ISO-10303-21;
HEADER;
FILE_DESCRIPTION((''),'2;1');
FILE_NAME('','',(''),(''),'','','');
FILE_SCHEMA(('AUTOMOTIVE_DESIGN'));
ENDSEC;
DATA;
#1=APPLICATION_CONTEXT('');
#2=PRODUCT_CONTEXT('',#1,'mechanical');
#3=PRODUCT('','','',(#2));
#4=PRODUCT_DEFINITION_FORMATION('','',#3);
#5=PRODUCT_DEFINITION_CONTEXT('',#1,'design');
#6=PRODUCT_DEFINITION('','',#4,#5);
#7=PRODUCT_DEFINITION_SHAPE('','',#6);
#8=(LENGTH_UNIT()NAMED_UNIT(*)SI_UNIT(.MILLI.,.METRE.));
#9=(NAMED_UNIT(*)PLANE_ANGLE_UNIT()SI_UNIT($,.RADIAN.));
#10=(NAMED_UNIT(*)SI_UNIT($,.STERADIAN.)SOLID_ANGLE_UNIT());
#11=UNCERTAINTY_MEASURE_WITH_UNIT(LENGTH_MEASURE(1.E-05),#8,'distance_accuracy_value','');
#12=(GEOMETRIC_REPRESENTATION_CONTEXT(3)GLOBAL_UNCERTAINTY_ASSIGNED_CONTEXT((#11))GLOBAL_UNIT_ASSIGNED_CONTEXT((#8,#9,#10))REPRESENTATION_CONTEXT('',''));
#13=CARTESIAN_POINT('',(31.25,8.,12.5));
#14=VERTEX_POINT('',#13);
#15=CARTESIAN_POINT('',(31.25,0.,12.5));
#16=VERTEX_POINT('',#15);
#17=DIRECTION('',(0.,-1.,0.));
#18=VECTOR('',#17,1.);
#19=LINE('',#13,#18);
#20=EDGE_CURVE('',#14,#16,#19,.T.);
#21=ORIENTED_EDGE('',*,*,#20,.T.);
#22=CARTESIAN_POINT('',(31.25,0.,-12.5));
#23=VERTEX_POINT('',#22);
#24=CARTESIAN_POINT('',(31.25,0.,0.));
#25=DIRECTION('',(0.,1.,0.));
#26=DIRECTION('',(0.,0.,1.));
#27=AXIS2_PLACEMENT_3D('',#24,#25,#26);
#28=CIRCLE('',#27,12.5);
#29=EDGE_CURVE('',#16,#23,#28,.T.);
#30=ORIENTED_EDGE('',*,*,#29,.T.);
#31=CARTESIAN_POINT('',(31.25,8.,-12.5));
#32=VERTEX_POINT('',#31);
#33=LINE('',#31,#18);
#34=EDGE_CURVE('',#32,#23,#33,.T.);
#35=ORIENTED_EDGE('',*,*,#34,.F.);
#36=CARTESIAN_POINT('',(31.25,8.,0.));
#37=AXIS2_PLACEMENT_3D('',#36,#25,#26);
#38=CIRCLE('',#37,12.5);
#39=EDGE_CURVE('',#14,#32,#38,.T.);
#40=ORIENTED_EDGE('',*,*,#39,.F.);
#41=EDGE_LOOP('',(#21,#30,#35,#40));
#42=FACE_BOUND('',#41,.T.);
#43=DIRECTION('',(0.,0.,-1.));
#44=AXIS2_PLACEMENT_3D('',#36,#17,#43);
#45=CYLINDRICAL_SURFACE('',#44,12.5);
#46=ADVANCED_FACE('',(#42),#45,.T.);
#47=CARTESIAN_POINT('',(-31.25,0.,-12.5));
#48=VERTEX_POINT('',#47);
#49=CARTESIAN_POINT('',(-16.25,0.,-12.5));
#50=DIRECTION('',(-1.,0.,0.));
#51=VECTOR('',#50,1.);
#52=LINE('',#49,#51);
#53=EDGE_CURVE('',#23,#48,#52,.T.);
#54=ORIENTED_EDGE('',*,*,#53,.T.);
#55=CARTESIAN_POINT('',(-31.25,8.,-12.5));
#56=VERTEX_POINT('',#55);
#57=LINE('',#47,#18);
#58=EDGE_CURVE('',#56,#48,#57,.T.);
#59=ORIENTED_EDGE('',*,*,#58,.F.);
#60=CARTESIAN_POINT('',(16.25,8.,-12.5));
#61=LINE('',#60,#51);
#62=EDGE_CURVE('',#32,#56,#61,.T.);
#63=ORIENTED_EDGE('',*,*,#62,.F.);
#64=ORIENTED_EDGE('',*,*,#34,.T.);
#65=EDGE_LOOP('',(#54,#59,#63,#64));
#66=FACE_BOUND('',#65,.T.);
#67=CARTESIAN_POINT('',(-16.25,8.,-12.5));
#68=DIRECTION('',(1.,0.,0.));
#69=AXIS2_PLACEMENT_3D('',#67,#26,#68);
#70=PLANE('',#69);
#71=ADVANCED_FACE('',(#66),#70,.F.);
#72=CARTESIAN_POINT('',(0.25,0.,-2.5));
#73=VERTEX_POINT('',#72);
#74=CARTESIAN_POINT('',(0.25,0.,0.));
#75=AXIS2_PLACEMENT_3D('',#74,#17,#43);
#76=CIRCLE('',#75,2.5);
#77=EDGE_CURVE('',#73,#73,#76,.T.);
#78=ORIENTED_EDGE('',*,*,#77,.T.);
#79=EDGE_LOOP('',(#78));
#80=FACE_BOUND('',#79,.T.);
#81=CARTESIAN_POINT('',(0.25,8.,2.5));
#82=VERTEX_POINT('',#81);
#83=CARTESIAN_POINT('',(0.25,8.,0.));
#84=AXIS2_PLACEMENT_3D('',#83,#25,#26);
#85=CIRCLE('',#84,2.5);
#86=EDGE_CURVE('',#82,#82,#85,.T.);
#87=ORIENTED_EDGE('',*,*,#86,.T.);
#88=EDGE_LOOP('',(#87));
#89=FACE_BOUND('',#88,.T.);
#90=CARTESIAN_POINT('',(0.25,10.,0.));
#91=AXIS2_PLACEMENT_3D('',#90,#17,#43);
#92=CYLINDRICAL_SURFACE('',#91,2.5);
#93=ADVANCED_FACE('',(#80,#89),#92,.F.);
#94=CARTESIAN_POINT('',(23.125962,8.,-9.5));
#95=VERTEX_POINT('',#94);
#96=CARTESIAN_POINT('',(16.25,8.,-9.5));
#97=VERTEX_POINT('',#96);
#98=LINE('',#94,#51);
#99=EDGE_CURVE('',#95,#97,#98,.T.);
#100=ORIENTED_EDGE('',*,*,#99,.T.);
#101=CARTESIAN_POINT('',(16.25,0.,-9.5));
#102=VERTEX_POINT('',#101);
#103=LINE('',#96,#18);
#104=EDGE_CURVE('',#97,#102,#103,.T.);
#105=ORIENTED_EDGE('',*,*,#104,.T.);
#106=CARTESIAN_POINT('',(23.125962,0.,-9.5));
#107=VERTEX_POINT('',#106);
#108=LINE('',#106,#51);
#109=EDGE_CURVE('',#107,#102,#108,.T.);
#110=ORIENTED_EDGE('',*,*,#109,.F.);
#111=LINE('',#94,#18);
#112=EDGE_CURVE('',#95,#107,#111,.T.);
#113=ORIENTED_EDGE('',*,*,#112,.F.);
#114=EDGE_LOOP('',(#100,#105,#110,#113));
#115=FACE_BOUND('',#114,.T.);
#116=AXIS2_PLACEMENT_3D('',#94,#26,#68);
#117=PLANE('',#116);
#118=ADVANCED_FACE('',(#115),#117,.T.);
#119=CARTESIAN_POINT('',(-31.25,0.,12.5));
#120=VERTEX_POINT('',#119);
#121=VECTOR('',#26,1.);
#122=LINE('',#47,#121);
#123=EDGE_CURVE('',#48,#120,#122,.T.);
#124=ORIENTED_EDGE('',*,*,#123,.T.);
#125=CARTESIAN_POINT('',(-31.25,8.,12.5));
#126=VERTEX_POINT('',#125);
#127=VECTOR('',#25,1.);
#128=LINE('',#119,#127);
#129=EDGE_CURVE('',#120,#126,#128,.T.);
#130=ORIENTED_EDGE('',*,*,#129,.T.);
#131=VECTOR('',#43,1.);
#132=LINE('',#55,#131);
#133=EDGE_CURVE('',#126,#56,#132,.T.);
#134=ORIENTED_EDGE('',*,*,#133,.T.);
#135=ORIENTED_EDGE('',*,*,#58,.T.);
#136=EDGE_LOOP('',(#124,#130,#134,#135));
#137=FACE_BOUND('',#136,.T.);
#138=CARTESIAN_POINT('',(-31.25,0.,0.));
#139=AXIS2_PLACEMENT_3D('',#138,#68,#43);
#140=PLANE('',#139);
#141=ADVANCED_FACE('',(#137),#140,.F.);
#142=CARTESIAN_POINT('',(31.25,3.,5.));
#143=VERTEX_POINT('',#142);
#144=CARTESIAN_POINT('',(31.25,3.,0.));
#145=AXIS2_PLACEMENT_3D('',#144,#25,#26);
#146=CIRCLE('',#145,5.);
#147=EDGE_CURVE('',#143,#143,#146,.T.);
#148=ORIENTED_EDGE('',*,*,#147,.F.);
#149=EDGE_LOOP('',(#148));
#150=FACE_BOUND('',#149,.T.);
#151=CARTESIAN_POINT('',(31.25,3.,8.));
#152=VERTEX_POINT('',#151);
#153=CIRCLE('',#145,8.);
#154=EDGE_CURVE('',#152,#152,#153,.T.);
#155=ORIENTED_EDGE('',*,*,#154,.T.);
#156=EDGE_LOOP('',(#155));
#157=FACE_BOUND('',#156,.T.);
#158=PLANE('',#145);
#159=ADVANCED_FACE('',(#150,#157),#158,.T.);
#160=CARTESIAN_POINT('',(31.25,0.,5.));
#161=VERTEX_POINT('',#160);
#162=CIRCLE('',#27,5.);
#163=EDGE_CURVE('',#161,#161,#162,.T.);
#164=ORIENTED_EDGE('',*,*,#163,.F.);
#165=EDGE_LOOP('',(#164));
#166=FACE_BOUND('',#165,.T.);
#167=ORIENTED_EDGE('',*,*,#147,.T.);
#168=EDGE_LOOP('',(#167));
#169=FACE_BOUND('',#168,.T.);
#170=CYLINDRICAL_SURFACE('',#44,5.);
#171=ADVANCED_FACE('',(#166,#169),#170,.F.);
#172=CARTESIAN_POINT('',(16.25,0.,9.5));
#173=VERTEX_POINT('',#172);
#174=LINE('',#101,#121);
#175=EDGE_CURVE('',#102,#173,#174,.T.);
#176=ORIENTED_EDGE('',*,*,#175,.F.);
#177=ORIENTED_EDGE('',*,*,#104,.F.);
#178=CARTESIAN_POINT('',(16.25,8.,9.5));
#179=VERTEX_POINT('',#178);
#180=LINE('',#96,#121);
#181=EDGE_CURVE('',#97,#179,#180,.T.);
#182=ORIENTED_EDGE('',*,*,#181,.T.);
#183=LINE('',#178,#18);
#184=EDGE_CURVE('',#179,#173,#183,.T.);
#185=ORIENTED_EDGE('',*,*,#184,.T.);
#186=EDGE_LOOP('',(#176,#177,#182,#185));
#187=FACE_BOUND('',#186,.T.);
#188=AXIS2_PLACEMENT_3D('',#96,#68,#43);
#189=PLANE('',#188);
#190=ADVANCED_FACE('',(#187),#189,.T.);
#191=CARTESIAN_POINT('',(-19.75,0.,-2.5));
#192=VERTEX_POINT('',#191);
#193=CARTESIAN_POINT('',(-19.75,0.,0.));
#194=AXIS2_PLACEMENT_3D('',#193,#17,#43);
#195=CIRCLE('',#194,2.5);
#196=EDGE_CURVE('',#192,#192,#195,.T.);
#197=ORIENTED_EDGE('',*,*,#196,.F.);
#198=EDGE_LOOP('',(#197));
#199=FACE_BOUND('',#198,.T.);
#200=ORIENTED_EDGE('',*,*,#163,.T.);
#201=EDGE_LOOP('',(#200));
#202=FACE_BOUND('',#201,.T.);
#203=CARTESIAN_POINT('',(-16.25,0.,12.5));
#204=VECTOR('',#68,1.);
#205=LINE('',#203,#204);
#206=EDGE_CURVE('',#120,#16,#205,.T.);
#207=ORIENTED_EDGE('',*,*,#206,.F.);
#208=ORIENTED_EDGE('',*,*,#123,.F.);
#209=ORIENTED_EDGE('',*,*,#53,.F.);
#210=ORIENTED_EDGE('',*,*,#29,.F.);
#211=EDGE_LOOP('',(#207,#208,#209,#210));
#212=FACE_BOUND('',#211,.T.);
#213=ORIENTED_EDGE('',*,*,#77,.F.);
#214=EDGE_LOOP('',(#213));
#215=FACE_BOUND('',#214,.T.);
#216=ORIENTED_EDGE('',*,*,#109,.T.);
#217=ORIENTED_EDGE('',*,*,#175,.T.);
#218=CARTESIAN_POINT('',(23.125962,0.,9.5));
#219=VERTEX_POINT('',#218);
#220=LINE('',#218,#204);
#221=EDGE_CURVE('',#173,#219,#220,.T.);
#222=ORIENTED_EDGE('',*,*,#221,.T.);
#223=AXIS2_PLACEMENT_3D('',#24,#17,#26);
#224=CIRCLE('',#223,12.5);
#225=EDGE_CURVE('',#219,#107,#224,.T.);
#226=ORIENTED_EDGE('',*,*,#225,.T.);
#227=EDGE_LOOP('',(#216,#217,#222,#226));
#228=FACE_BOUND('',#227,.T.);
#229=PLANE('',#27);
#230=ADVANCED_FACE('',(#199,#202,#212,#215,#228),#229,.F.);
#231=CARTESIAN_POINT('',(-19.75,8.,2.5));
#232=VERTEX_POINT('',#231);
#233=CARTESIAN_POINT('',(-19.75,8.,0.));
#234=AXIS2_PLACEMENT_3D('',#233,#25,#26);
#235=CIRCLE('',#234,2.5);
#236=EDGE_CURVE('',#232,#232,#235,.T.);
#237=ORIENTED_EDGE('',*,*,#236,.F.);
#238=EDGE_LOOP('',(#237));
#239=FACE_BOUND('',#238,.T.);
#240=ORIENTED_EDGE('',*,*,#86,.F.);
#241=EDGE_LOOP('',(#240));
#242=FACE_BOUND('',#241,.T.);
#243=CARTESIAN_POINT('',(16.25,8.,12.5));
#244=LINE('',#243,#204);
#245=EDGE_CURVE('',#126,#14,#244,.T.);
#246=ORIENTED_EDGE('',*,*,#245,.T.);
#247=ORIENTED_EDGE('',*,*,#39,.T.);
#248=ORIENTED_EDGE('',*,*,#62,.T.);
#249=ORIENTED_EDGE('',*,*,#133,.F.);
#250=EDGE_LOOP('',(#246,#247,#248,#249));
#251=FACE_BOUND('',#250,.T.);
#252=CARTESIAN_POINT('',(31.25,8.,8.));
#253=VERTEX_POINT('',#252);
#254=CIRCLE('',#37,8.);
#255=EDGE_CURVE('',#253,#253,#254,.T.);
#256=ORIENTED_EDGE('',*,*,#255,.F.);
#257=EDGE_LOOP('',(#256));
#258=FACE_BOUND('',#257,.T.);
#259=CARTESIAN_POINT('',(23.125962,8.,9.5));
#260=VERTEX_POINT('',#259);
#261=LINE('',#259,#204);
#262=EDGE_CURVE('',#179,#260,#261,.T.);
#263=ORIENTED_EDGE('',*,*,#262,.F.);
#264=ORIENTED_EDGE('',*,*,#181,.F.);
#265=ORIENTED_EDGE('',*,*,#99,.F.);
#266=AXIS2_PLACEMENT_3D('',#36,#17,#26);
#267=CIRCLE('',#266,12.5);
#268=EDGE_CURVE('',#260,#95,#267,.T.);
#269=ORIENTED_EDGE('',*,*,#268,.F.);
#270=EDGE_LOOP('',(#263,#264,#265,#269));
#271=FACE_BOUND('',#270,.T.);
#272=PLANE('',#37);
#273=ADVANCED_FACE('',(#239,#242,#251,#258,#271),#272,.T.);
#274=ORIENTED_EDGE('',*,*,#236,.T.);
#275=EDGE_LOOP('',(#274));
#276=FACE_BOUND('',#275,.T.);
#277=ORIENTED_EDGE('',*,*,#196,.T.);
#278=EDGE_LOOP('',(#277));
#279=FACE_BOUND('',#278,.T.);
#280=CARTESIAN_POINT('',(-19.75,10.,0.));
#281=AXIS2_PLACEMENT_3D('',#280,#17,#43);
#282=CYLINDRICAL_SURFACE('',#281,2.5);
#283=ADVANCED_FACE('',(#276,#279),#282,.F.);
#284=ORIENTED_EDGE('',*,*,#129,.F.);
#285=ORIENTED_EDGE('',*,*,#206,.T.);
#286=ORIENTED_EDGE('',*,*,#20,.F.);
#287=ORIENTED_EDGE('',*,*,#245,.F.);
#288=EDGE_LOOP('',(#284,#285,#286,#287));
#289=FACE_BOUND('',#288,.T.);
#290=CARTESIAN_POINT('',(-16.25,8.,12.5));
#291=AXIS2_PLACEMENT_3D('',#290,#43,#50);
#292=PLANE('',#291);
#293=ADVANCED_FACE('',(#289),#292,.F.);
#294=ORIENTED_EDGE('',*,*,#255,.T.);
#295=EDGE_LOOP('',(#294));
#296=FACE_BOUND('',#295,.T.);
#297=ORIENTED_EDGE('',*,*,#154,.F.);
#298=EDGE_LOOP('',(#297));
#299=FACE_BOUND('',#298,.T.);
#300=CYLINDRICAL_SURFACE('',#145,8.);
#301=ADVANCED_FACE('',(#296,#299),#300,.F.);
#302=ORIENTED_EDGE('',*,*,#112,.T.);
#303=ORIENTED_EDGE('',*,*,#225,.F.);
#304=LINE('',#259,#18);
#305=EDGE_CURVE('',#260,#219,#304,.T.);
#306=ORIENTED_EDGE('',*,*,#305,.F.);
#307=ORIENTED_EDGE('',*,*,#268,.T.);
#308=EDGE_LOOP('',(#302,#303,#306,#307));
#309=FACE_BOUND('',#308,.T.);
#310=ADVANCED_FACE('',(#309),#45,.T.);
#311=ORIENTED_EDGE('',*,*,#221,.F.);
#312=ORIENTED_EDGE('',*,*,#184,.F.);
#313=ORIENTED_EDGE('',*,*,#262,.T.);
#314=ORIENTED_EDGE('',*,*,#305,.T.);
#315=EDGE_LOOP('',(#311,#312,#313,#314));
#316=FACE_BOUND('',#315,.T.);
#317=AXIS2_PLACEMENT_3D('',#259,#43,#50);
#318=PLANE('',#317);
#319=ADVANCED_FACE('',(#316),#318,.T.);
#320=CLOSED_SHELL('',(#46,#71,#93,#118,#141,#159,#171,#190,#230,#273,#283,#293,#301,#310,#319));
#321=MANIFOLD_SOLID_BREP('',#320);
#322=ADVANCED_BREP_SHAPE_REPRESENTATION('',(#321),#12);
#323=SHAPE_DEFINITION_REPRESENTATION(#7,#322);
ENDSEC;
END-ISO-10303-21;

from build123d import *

# Parameters (mm, degrees)
SKETCH1_R           = 5
BOSS_EXTRUDE1_DEPTH = 8
SKETCH2_R           = 8
CUT_EXTRUDE1_DEPTH  = 5
SKETCH3_W           = 25
SKETCH3_H           = 8
BOSS_EXTRUDE2_DEPTH = 15
SKETCH4_R           = 2.5
CUT_EXTRUDE2_DEPTH  = 10


with BuildPart() as part:
    # Sketch1 → Boss-Extrude1 (new body)
    with BuildSketch(Plane(origin=(0, 0, 0), x_dir=(1, 0, 0), z_dir=(0, 1, 0))):
        with BuildLine():
            Line((-16.25, 12.5), (16.25, 12.5))
            Line((16.25, 12.5), (31.25, 12.5))
            ThreePointArc((31.25, 12.5), (43.75, 0), (31.25, -12.5))
            Line((31.25, -12.5), (16.25, -12.5))
            Line((16.25, -12.5), (-16.25, -12.5))
            Line((-16.25, -12.5), (-16.25, 12.5))
        make_face()
        with Locations((31.25, 0)):
            Circle(SKETCH1_R, mode=Mode.SUBTRACT)
        with BuildLine():
            Line((16.25, 9.5), (16.25, -9.5))
            Line((16.25, -9.5), (23.125961595, -9.5))
            ThreePointArc((23.125961595, -9.5), (18.75, 0), (23.125961595, 9.5))
            Line((23.125961595, 9.5), (16.25, 9.5))
        make_face(mode=Mode.SUBTRACT)
    extrude(amount=BOSS_EXTRUDE1_DEPTH)

    # Sketch2 → Cut-Extrude1 (cut)
    with BuildSketch(Plane(origin=(0, 8, 0), x_dir=(1, 0, 0), z_dir=(0, 1, 0))):
        with Locations((31.25, 0)):
            Circle(SKETCH2_R)
    extrude(amount=-CUT_EXTRUDE1_DEPTH, mode=Mode.SUBTRACT)

    # Sketch3 → Boss-Extrude2 (add)
    with BuildSketch(Plane.ZY.offset(16.25)):
        with Locations((0, 4)):
            Rectangle(SKETCH3_W, SKETCH3_H)
    extrude(amount=BOSS_EXTRUDE2_DEPTH)

    # Sketch4 → Cut-Extrude2 (cut)
    with BuildSketch(Plane(origin=(0, 0, 0), x_dir=(-1, 0, 0), z_dir=(0, -1, 0))):
        with Locations((-0.25, 0)):
            Circle(SKETCH4_R)
        with Locations((19.75, 0)):
            Circle(SKETCH4_R)
    extrude(amount=-CUT_EXTRUDE2_DEPTH, mode=Mode.SUBTRACT)


solid = part.part
